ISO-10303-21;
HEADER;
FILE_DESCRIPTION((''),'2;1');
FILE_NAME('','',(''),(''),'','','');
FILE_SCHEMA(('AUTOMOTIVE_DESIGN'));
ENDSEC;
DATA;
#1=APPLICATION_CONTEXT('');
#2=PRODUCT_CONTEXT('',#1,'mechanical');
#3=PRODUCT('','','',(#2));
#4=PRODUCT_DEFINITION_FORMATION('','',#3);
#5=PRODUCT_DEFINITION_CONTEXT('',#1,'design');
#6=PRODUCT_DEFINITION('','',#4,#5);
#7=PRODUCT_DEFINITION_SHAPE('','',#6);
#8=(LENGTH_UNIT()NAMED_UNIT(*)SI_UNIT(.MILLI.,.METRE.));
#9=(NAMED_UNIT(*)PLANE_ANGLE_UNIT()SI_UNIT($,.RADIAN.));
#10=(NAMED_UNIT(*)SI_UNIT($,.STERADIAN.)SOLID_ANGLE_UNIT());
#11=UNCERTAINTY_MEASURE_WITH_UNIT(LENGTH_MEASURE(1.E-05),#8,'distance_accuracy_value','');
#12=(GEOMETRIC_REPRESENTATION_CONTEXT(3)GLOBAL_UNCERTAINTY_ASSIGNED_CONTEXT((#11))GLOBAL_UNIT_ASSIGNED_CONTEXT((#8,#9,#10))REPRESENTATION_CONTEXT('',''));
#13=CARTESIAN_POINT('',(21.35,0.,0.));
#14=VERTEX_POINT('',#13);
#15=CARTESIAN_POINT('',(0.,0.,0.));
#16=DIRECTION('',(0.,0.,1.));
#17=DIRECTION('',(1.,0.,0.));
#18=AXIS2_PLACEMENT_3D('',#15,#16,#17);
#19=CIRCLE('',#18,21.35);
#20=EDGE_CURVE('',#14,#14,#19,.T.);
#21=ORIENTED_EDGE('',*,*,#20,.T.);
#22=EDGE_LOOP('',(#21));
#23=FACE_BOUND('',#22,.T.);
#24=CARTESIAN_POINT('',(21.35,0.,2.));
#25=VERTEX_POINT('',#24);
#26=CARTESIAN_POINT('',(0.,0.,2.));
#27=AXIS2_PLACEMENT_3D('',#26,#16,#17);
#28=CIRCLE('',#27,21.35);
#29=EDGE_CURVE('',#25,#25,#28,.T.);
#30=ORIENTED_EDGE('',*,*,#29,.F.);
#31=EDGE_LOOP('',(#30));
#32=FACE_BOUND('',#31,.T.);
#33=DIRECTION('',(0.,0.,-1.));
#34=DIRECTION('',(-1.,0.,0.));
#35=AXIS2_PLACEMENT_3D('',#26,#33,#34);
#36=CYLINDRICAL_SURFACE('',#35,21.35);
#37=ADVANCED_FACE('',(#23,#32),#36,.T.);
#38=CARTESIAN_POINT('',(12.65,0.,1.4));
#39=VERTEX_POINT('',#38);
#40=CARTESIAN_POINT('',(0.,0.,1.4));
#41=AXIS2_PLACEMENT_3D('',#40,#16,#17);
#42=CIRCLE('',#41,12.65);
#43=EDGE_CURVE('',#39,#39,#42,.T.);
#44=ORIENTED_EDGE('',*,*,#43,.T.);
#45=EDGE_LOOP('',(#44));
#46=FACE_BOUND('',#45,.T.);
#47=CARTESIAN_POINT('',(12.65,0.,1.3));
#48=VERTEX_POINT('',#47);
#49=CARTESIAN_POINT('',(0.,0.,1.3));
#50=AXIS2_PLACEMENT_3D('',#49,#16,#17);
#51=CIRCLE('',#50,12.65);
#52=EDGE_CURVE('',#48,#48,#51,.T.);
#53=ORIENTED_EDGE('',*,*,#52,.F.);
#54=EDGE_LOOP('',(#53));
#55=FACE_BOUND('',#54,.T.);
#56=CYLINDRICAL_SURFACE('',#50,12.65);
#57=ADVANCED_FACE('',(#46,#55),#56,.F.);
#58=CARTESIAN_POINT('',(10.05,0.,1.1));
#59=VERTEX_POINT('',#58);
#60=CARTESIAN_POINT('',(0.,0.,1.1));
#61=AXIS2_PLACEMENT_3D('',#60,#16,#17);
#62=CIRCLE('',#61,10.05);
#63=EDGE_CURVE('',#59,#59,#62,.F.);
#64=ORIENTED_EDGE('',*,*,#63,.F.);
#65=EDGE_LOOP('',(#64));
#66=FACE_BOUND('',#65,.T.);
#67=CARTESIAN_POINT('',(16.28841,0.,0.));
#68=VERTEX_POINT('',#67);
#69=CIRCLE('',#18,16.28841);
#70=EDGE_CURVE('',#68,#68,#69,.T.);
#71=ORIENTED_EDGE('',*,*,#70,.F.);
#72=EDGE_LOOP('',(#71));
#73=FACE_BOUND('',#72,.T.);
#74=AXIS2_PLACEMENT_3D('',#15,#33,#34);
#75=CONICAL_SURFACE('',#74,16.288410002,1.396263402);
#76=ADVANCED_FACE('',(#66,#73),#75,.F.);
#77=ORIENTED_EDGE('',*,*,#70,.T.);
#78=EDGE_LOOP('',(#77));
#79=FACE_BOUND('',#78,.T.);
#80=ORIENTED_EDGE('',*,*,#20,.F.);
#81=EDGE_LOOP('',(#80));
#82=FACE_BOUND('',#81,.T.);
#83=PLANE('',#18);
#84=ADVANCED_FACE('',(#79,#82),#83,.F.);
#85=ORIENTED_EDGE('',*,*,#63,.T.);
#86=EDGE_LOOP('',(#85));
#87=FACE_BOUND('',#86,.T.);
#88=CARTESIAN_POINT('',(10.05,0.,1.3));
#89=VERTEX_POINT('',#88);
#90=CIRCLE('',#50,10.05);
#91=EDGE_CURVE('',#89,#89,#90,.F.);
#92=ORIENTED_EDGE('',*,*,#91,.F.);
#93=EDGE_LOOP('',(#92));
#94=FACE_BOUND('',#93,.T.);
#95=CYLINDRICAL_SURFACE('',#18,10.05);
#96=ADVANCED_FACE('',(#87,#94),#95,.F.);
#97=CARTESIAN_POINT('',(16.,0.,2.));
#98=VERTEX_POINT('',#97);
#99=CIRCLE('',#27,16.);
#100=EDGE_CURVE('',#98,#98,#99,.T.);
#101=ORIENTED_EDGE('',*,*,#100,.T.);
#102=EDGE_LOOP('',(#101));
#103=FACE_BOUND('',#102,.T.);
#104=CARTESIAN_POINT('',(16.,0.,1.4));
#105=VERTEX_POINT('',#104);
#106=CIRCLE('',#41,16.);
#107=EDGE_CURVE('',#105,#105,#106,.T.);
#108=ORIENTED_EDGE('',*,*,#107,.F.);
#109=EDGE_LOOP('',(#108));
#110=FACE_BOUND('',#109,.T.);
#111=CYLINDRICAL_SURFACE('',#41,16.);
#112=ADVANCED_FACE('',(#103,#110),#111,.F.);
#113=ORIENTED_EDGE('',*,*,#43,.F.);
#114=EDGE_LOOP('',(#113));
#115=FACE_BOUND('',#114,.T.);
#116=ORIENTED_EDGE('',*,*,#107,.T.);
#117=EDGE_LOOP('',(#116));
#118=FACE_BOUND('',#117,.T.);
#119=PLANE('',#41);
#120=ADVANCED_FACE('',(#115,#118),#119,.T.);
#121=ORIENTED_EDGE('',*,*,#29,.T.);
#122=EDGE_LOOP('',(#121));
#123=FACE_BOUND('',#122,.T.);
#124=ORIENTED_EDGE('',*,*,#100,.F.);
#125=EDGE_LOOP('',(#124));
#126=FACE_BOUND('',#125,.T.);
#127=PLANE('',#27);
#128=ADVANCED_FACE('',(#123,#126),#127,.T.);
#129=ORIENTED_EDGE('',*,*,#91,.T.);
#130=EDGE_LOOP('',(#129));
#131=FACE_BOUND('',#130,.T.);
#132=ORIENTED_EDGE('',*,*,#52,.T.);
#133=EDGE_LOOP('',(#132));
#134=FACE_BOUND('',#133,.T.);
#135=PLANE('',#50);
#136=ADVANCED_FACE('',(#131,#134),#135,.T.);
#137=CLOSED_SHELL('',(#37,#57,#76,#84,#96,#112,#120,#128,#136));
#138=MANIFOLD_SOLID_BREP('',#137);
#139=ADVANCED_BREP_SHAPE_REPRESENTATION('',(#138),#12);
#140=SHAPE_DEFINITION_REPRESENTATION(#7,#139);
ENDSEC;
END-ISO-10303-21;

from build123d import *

# Parameters (mm, degrees)
SKIZZE2_R                       = 21.35
AUFSATZ_LINEAR_AUSTRAGEN1_DEPTH = 2
SKIZZE6_R                       = 10.05
SCHNITT_LINEAR_AUSTRAGEN4_DEPTH = 31.259626567
SKIZZE7_R                       = 16
SCHNITT_LINEAR_AUSTRAGEN5_DEPTH = 0.6
FASE1_SIZE                      = 1.1
FASE1_SIZE2                     = 6.238410002
SKIZZE8_R                       = 12.65
SCHNITT_LINEAR_AUSTRAGEN6_DEPTH = 0.1


with BuildPart() as part:
    # Skizze2 → Aufsatz-Linear austragen1 (new body)
    with BuildSketch(Plane.XY):
        Circle(SKIZZE2_R)
    extrude(amount=AUFSATZ_LINEAR_AUSTRAGEN1_DEPTH)

    # Skizze6 → Schnitt-Linear austragen4 (cut, through all)
    with BuildSketch(Plane.XY.offset(2)):
        Circle(SKIZZE6_R)
    extrude(amount=-SCHNITT_LINEAR_AUSTRAGEN4_DEPTH, mode=Mode.SUBTRACT)

    # Skizze7 → Schnitt-Linear austragen5 (cut)
    with BuildSketch(Plane.XY.offset(2)):
        Circle(SKIZZE7_R)
    extrude(amount=-SCHNITT_LINEAR_AUSTRAGEN5_DEPTH, mode=Mode.SUBTRACT)

    # Fase1
    fase1_edges = [part.edges().sort_by_distance(p)[0] for p in [
        (-10.05, 0, 0),
    ]]
    fase1_side = [part.faces().sort_by_distance(p)[0] for p in [
        (-10.05, 0, 0.7),
    ]]
    chamfer(fase1_edges, length=FASE1_SIZE, length2=FASE1_SIZE2, reference=fase1_side[0])

    # Skizze8 → Schnitt-Linear austragen6 (cut)
    with BuildSketch(Plane.XY.offset(1.4)):
        Circle(SKIZZE8_R)
    extrude(amount=-SCHNITT_LINEAR_AUSTRAGEN6_DEPTH, mode=Mode.SUBTRACT)


solid = part.part
